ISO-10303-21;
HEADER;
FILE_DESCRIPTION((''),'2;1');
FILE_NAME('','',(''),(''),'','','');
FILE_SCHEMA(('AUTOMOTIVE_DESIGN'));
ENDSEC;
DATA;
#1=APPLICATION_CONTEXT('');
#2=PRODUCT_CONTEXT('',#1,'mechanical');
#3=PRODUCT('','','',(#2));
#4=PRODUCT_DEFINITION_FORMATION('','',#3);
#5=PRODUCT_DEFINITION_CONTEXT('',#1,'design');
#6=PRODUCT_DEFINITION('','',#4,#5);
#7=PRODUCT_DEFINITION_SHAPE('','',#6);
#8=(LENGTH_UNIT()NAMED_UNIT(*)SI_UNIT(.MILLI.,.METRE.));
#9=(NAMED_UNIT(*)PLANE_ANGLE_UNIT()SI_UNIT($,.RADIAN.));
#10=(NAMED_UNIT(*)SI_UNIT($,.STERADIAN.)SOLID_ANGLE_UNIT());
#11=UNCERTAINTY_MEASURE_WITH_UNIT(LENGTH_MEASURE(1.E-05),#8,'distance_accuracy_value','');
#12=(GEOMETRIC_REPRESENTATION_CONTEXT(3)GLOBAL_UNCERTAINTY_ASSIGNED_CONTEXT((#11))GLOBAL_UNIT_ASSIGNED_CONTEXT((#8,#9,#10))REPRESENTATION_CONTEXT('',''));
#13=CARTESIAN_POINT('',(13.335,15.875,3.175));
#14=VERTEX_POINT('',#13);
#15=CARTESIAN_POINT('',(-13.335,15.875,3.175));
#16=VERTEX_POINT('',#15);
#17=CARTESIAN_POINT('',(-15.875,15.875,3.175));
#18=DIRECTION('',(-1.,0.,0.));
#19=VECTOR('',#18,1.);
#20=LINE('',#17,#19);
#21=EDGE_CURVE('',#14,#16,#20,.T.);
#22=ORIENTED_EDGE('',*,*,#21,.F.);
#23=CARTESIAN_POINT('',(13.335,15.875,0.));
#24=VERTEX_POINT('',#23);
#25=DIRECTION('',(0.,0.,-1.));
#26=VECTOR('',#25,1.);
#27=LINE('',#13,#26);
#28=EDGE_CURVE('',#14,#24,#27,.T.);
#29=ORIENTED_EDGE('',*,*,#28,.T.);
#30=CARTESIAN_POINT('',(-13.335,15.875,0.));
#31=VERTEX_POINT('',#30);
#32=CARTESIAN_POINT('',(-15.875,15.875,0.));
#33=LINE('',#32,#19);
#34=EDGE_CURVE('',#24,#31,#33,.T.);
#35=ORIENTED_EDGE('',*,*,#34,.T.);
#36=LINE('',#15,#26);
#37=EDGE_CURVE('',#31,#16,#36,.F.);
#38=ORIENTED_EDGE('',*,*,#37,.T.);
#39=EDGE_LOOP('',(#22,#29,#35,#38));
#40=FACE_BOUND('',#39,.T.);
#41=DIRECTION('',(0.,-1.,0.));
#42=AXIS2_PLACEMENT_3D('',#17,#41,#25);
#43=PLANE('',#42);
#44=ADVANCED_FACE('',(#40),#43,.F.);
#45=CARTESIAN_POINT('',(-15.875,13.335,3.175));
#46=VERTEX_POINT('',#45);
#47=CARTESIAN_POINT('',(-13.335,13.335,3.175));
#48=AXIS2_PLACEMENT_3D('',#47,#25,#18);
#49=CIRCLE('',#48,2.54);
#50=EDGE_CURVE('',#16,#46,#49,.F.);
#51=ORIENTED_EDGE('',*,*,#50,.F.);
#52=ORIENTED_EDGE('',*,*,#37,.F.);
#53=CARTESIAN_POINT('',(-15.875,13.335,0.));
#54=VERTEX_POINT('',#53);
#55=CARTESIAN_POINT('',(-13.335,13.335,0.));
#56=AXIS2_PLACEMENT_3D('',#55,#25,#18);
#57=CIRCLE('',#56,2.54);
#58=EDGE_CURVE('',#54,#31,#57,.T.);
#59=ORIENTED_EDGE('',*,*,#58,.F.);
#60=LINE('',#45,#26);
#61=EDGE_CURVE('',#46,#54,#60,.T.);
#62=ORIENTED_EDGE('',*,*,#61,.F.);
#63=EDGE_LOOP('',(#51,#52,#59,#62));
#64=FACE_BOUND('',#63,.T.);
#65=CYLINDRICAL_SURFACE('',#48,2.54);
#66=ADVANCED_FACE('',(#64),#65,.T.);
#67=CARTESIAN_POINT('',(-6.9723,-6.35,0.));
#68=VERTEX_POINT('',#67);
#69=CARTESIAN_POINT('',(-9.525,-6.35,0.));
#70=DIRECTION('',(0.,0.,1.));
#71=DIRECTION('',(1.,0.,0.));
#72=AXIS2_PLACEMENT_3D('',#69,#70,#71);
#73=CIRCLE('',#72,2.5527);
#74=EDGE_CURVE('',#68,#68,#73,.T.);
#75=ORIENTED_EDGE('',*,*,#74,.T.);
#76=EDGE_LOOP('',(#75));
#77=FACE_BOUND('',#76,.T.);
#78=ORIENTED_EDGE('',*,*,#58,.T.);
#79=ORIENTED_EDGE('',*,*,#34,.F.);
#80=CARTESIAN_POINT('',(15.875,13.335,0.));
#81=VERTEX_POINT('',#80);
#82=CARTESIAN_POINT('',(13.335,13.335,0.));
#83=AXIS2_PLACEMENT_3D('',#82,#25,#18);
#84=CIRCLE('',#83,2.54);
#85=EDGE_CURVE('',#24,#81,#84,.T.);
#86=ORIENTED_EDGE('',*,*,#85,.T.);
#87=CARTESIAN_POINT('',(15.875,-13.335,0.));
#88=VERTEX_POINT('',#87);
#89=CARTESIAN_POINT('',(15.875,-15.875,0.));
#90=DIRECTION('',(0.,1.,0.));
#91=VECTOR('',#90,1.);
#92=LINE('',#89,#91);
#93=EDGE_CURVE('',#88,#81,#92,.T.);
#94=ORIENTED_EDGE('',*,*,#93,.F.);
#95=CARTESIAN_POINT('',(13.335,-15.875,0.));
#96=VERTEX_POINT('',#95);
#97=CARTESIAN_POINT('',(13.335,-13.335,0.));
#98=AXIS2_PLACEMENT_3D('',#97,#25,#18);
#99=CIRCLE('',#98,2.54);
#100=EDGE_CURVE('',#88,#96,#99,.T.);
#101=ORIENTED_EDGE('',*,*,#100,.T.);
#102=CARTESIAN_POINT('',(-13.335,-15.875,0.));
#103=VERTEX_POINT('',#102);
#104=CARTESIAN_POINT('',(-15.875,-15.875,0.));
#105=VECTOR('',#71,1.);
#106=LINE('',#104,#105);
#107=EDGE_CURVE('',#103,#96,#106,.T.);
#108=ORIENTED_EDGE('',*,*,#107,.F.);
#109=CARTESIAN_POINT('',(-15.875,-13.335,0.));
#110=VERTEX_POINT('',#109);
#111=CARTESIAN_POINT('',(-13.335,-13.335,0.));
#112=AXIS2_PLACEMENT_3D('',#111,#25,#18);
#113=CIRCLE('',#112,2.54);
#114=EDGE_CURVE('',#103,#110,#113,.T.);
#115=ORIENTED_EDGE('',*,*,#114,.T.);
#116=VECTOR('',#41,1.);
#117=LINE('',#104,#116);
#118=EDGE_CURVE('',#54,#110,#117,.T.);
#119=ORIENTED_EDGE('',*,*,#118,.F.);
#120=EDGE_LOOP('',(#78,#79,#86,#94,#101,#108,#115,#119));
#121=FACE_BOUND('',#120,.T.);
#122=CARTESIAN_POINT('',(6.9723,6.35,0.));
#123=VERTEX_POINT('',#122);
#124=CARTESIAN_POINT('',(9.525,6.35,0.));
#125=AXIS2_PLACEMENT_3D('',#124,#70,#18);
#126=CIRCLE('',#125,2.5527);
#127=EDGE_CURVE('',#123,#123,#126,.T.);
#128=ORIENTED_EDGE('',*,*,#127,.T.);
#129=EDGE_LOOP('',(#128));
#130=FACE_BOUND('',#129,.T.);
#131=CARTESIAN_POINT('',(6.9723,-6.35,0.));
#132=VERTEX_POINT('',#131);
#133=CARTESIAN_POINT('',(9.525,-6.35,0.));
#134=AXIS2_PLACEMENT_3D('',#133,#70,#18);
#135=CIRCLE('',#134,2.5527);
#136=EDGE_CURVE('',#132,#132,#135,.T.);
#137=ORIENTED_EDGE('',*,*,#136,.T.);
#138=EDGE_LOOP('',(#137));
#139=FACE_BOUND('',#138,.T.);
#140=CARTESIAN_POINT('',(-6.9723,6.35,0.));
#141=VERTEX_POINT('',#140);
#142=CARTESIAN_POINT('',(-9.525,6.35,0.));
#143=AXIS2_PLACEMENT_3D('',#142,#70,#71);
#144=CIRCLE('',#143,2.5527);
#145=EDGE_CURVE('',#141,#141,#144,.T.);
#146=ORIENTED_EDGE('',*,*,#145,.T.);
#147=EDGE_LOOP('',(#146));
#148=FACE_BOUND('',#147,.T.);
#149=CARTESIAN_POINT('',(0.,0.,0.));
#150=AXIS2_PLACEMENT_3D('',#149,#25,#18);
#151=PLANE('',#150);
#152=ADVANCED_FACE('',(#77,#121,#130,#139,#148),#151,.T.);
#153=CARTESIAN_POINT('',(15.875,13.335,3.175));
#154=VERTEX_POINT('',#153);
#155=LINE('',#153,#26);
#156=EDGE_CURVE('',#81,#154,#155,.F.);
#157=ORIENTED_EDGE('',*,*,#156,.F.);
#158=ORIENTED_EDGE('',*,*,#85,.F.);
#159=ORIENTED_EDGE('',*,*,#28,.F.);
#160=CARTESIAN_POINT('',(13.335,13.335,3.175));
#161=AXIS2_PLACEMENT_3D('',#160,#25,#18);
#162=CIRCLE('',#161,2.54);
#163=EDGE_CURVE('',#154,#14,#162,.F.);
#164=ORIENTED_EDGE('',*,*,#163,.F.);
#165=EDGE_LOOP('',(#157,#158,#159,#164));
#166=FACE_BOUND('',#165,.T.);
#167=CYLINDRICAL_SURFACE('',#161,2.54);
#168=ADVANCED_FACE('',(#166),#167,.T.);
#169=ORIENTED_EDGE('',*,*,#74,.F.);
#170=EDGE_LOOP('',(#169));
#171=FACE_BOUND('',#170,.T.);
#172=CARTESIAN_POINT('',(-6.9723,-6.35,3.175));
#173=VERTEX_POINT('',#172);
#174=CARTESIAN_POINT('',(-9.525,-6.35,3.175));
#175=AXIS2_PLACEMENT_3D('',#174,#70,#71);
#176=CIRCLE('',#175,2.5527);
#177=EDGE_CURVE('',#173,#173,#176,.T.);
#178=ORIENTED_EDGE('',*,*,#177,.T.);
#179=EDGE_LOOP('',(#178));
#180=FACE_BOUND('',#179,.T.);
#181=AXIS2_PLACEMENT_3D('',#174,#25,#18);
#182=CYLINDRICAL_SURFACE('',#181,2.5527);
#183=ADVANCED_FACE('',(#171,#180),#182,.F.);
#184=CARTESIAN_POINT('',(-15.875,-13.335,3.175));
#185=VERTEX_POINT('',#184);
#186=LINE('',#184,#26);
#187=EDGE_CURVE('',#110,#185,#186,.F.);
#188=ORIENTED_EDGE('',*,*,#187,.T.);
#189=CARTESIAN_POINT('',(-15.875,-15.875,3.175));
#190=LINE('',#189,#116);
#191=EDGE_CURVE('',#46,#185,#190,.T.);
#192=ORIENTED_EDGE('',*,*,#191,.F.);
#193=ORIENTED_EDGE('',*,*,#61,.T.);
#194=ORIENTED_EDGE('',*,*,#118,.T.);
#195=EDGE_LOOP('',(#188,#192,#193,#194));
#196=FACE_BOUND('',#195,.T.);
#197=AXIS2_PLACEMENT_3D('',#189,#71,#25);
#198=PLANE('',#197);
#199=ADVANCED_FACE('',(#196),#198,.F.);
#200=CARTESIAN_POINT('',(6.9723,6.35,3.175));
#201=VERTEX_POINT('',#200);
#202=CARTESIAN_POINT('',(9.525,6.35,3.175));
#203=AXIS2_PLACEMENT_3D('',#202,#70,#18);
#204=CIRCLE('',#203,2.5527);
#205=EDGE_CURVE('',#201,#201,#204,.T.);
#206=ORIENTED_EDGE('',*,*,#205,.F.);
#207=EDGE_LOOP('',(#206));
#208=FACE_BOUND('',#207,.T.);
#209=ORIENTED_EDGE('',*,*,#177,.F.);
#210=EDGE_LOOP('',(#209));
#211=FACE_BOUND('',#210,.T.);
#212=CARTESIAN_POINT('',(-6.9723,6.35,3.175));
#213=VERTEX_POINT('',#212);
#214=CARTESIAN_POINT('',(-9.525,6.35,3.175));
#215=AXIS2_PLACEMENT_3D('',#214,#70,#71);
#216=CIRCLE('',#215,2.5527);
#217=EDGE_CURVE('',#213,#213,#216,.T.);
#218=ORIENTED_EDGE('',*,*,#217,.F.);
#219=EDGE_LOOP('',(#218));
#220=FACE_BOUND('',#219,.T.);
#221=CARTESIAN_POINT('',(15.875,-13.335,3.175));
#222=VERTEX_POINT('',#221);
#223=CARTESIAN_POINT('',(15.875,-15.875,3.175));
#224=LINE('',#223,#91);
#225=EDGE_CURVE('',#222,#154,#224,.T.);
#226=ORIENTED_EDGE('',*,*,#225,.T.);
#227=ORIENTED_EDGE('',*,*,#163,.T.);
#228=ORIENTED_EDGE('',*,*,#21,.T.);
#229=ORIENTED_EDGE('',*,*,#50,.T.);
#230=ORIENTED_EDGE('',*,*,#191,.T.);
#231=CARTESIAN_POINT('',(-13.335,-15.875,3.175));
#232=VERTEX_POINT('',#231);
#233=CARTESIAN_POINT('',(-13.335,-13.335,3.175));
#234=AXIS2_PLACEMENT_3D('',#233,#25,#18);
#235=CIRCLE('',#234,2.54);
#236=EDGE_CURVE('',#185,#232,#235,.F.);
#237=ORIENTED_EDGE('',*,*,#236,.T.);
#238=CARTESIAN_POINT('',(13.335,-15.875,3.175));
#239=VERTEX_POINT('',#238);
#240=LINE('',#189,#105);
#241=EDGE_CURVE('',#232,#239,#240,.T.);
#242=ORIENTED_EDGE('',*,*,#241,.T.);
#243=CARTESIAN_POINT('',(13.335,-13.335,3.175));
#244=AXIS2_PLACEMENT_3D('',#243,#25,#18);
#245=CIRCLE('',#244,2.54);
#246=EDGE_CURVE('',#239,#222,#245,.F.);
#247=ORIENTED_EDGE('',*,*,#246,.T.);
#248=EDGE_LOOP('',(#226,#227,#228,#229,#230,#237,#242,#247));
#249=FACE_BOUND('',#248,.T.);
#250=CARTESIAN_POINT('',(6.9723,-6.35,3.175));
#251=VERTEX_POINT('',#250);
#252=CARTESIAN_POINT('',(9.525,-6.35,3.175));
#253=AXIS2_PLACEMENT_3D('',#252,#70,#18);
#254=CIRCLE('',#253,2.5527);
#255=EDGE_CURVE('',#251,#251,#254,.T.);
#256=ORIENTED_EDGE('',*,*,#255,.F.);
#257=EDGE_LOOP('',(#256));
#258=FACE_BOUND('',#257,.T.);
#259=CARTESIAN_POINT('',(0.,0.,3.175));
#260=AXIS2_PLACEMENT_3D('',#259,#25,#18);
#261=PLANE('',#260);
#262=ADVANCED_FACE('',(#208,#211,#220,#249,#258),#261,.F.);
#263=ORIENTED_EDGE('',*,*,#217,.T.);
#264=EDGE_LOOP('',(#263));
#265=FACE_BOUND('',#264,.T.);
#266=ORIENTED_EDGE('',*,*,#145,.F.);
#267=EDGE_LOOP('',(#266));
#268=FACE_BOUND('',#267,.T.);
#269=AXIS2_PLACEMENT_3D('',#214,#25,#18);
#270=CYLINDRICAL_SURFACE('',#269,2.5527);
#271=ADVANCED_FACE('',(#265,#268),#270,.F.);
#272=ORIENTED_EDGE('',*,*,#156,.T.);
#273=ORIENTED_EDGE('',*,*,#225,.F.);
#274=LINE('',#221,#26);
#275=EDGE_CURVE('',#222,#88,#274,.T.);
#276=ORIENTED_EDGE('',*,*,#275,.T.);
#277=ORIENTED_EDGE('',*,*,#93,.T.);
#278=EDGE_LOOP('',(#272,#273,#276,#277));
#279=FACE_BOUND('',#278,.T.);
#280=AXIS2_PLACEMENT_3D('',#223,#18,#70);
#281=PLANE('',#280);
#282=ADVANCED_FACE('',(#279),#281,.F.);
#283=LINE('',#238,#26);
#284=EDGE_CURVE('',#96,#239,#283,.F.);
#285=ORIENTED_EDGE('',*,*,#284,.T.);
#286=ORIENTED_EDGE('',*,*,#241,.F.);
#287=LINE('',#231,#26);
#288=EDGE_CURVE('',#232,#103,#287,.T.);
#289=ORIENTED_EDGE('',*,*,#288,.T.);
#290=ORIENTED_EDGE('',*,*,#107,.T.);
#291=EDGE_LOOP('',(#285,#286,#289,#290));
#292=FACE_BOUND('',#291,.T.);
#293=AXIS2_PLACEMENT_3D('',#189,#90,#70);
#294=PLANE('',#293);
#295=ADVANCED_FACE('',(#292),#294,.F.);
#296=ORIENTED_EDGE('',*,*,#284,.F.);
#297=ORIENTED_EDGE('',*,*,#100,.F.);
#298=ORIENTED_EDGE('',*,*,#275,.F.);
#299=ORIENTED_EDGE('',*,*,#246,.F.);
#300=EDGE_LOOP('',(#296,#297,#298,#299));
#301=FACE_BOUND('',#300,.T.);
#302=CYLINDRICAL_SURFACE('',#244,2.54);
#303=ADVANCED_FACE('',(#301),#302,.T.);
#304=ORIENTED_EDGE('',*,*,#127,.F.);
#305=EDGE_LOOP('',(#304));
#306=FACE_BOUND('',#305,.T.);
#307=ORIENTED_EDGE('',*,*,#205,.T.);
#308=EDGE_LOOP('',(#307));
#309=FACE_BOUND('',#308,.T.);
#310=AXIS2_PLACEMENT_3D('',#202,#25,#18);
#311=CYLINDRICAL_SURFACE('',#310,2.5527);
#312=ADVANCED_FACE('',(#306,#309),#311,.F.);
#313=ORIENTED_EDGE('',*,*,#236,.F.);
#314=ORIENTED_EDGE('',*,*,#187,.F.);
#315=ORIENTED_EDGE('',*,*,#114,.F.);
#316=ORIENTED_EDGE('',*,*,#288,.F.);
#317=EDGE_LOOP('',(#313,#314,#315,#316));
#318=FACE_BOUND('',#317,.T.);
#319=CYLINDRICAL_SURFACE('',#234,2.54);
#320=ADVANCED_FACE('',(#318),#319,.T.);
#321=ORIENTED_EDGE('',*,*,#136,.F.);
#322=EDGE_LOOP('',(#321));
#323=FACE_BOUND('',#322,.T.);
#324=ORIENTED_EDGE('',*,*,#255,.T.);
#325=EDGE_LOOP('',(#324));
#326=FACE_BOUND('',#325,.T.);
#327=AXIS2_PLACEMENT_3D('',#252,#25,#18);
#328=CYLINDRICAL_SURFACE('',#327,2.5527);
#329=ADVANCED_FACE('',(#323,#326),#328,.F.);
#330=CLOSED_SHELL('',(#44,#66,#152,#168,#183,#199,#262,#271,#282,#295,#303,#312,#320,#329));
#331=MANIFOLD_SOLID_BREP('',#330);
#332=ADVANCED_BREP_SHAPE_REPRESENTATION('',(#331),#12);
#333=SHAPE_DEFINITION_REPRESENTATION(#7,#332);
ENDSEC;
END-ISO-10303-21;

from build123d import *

# Parameters (mm, degrees)
SKETCH1_W           = 31.75
SKETCH1_H           = 31.75
SKETCH1_R           = 2.5527
BOSS_EXTRUDE1_DEPTH = 3.175
FILLET1_R           = 2.54


with BuildPart() as part:
    # Sketch1 → Boss-Extrude1 (new body)
    with BuildSketch(Plane.XY):
        Rectangle(SKETCH1_W, SKETCH1_H)
        with Locations((-9.525, -6.35)):
            Circle(SKETCH1_R, mode=Mode.SUBTRACT)
        with Locations((-9.525, 6.35)):
            Circle(SKETCH1_R, mode=Mode.SUBTRACT)
        with Locations((9.525, -6.35)):
            Circle(SKETCH1_R, mode=Mode.SUBTRACT)
        with Locations((9.525, 6.35)):
            Circle(SKETCH1_R, mode=Mode.SUBTRACT)
    extrude(amount=BOSS_EXTRUDE1_DEPTH)

    # Fillet1
    fillet1_edges = [part.edges().sort_by_distance(p)[0] for p in [
        (15.875, -15.875, 1.5875),
        (-15.875, -15.875, 1.5875),
        (-15.875, 15.875, 1.5875),
        (15.875, 15.875, 1.5875),
    ]]
    fillet(fillet1_edges, radius=FILLET1_R)


solid = part.part
